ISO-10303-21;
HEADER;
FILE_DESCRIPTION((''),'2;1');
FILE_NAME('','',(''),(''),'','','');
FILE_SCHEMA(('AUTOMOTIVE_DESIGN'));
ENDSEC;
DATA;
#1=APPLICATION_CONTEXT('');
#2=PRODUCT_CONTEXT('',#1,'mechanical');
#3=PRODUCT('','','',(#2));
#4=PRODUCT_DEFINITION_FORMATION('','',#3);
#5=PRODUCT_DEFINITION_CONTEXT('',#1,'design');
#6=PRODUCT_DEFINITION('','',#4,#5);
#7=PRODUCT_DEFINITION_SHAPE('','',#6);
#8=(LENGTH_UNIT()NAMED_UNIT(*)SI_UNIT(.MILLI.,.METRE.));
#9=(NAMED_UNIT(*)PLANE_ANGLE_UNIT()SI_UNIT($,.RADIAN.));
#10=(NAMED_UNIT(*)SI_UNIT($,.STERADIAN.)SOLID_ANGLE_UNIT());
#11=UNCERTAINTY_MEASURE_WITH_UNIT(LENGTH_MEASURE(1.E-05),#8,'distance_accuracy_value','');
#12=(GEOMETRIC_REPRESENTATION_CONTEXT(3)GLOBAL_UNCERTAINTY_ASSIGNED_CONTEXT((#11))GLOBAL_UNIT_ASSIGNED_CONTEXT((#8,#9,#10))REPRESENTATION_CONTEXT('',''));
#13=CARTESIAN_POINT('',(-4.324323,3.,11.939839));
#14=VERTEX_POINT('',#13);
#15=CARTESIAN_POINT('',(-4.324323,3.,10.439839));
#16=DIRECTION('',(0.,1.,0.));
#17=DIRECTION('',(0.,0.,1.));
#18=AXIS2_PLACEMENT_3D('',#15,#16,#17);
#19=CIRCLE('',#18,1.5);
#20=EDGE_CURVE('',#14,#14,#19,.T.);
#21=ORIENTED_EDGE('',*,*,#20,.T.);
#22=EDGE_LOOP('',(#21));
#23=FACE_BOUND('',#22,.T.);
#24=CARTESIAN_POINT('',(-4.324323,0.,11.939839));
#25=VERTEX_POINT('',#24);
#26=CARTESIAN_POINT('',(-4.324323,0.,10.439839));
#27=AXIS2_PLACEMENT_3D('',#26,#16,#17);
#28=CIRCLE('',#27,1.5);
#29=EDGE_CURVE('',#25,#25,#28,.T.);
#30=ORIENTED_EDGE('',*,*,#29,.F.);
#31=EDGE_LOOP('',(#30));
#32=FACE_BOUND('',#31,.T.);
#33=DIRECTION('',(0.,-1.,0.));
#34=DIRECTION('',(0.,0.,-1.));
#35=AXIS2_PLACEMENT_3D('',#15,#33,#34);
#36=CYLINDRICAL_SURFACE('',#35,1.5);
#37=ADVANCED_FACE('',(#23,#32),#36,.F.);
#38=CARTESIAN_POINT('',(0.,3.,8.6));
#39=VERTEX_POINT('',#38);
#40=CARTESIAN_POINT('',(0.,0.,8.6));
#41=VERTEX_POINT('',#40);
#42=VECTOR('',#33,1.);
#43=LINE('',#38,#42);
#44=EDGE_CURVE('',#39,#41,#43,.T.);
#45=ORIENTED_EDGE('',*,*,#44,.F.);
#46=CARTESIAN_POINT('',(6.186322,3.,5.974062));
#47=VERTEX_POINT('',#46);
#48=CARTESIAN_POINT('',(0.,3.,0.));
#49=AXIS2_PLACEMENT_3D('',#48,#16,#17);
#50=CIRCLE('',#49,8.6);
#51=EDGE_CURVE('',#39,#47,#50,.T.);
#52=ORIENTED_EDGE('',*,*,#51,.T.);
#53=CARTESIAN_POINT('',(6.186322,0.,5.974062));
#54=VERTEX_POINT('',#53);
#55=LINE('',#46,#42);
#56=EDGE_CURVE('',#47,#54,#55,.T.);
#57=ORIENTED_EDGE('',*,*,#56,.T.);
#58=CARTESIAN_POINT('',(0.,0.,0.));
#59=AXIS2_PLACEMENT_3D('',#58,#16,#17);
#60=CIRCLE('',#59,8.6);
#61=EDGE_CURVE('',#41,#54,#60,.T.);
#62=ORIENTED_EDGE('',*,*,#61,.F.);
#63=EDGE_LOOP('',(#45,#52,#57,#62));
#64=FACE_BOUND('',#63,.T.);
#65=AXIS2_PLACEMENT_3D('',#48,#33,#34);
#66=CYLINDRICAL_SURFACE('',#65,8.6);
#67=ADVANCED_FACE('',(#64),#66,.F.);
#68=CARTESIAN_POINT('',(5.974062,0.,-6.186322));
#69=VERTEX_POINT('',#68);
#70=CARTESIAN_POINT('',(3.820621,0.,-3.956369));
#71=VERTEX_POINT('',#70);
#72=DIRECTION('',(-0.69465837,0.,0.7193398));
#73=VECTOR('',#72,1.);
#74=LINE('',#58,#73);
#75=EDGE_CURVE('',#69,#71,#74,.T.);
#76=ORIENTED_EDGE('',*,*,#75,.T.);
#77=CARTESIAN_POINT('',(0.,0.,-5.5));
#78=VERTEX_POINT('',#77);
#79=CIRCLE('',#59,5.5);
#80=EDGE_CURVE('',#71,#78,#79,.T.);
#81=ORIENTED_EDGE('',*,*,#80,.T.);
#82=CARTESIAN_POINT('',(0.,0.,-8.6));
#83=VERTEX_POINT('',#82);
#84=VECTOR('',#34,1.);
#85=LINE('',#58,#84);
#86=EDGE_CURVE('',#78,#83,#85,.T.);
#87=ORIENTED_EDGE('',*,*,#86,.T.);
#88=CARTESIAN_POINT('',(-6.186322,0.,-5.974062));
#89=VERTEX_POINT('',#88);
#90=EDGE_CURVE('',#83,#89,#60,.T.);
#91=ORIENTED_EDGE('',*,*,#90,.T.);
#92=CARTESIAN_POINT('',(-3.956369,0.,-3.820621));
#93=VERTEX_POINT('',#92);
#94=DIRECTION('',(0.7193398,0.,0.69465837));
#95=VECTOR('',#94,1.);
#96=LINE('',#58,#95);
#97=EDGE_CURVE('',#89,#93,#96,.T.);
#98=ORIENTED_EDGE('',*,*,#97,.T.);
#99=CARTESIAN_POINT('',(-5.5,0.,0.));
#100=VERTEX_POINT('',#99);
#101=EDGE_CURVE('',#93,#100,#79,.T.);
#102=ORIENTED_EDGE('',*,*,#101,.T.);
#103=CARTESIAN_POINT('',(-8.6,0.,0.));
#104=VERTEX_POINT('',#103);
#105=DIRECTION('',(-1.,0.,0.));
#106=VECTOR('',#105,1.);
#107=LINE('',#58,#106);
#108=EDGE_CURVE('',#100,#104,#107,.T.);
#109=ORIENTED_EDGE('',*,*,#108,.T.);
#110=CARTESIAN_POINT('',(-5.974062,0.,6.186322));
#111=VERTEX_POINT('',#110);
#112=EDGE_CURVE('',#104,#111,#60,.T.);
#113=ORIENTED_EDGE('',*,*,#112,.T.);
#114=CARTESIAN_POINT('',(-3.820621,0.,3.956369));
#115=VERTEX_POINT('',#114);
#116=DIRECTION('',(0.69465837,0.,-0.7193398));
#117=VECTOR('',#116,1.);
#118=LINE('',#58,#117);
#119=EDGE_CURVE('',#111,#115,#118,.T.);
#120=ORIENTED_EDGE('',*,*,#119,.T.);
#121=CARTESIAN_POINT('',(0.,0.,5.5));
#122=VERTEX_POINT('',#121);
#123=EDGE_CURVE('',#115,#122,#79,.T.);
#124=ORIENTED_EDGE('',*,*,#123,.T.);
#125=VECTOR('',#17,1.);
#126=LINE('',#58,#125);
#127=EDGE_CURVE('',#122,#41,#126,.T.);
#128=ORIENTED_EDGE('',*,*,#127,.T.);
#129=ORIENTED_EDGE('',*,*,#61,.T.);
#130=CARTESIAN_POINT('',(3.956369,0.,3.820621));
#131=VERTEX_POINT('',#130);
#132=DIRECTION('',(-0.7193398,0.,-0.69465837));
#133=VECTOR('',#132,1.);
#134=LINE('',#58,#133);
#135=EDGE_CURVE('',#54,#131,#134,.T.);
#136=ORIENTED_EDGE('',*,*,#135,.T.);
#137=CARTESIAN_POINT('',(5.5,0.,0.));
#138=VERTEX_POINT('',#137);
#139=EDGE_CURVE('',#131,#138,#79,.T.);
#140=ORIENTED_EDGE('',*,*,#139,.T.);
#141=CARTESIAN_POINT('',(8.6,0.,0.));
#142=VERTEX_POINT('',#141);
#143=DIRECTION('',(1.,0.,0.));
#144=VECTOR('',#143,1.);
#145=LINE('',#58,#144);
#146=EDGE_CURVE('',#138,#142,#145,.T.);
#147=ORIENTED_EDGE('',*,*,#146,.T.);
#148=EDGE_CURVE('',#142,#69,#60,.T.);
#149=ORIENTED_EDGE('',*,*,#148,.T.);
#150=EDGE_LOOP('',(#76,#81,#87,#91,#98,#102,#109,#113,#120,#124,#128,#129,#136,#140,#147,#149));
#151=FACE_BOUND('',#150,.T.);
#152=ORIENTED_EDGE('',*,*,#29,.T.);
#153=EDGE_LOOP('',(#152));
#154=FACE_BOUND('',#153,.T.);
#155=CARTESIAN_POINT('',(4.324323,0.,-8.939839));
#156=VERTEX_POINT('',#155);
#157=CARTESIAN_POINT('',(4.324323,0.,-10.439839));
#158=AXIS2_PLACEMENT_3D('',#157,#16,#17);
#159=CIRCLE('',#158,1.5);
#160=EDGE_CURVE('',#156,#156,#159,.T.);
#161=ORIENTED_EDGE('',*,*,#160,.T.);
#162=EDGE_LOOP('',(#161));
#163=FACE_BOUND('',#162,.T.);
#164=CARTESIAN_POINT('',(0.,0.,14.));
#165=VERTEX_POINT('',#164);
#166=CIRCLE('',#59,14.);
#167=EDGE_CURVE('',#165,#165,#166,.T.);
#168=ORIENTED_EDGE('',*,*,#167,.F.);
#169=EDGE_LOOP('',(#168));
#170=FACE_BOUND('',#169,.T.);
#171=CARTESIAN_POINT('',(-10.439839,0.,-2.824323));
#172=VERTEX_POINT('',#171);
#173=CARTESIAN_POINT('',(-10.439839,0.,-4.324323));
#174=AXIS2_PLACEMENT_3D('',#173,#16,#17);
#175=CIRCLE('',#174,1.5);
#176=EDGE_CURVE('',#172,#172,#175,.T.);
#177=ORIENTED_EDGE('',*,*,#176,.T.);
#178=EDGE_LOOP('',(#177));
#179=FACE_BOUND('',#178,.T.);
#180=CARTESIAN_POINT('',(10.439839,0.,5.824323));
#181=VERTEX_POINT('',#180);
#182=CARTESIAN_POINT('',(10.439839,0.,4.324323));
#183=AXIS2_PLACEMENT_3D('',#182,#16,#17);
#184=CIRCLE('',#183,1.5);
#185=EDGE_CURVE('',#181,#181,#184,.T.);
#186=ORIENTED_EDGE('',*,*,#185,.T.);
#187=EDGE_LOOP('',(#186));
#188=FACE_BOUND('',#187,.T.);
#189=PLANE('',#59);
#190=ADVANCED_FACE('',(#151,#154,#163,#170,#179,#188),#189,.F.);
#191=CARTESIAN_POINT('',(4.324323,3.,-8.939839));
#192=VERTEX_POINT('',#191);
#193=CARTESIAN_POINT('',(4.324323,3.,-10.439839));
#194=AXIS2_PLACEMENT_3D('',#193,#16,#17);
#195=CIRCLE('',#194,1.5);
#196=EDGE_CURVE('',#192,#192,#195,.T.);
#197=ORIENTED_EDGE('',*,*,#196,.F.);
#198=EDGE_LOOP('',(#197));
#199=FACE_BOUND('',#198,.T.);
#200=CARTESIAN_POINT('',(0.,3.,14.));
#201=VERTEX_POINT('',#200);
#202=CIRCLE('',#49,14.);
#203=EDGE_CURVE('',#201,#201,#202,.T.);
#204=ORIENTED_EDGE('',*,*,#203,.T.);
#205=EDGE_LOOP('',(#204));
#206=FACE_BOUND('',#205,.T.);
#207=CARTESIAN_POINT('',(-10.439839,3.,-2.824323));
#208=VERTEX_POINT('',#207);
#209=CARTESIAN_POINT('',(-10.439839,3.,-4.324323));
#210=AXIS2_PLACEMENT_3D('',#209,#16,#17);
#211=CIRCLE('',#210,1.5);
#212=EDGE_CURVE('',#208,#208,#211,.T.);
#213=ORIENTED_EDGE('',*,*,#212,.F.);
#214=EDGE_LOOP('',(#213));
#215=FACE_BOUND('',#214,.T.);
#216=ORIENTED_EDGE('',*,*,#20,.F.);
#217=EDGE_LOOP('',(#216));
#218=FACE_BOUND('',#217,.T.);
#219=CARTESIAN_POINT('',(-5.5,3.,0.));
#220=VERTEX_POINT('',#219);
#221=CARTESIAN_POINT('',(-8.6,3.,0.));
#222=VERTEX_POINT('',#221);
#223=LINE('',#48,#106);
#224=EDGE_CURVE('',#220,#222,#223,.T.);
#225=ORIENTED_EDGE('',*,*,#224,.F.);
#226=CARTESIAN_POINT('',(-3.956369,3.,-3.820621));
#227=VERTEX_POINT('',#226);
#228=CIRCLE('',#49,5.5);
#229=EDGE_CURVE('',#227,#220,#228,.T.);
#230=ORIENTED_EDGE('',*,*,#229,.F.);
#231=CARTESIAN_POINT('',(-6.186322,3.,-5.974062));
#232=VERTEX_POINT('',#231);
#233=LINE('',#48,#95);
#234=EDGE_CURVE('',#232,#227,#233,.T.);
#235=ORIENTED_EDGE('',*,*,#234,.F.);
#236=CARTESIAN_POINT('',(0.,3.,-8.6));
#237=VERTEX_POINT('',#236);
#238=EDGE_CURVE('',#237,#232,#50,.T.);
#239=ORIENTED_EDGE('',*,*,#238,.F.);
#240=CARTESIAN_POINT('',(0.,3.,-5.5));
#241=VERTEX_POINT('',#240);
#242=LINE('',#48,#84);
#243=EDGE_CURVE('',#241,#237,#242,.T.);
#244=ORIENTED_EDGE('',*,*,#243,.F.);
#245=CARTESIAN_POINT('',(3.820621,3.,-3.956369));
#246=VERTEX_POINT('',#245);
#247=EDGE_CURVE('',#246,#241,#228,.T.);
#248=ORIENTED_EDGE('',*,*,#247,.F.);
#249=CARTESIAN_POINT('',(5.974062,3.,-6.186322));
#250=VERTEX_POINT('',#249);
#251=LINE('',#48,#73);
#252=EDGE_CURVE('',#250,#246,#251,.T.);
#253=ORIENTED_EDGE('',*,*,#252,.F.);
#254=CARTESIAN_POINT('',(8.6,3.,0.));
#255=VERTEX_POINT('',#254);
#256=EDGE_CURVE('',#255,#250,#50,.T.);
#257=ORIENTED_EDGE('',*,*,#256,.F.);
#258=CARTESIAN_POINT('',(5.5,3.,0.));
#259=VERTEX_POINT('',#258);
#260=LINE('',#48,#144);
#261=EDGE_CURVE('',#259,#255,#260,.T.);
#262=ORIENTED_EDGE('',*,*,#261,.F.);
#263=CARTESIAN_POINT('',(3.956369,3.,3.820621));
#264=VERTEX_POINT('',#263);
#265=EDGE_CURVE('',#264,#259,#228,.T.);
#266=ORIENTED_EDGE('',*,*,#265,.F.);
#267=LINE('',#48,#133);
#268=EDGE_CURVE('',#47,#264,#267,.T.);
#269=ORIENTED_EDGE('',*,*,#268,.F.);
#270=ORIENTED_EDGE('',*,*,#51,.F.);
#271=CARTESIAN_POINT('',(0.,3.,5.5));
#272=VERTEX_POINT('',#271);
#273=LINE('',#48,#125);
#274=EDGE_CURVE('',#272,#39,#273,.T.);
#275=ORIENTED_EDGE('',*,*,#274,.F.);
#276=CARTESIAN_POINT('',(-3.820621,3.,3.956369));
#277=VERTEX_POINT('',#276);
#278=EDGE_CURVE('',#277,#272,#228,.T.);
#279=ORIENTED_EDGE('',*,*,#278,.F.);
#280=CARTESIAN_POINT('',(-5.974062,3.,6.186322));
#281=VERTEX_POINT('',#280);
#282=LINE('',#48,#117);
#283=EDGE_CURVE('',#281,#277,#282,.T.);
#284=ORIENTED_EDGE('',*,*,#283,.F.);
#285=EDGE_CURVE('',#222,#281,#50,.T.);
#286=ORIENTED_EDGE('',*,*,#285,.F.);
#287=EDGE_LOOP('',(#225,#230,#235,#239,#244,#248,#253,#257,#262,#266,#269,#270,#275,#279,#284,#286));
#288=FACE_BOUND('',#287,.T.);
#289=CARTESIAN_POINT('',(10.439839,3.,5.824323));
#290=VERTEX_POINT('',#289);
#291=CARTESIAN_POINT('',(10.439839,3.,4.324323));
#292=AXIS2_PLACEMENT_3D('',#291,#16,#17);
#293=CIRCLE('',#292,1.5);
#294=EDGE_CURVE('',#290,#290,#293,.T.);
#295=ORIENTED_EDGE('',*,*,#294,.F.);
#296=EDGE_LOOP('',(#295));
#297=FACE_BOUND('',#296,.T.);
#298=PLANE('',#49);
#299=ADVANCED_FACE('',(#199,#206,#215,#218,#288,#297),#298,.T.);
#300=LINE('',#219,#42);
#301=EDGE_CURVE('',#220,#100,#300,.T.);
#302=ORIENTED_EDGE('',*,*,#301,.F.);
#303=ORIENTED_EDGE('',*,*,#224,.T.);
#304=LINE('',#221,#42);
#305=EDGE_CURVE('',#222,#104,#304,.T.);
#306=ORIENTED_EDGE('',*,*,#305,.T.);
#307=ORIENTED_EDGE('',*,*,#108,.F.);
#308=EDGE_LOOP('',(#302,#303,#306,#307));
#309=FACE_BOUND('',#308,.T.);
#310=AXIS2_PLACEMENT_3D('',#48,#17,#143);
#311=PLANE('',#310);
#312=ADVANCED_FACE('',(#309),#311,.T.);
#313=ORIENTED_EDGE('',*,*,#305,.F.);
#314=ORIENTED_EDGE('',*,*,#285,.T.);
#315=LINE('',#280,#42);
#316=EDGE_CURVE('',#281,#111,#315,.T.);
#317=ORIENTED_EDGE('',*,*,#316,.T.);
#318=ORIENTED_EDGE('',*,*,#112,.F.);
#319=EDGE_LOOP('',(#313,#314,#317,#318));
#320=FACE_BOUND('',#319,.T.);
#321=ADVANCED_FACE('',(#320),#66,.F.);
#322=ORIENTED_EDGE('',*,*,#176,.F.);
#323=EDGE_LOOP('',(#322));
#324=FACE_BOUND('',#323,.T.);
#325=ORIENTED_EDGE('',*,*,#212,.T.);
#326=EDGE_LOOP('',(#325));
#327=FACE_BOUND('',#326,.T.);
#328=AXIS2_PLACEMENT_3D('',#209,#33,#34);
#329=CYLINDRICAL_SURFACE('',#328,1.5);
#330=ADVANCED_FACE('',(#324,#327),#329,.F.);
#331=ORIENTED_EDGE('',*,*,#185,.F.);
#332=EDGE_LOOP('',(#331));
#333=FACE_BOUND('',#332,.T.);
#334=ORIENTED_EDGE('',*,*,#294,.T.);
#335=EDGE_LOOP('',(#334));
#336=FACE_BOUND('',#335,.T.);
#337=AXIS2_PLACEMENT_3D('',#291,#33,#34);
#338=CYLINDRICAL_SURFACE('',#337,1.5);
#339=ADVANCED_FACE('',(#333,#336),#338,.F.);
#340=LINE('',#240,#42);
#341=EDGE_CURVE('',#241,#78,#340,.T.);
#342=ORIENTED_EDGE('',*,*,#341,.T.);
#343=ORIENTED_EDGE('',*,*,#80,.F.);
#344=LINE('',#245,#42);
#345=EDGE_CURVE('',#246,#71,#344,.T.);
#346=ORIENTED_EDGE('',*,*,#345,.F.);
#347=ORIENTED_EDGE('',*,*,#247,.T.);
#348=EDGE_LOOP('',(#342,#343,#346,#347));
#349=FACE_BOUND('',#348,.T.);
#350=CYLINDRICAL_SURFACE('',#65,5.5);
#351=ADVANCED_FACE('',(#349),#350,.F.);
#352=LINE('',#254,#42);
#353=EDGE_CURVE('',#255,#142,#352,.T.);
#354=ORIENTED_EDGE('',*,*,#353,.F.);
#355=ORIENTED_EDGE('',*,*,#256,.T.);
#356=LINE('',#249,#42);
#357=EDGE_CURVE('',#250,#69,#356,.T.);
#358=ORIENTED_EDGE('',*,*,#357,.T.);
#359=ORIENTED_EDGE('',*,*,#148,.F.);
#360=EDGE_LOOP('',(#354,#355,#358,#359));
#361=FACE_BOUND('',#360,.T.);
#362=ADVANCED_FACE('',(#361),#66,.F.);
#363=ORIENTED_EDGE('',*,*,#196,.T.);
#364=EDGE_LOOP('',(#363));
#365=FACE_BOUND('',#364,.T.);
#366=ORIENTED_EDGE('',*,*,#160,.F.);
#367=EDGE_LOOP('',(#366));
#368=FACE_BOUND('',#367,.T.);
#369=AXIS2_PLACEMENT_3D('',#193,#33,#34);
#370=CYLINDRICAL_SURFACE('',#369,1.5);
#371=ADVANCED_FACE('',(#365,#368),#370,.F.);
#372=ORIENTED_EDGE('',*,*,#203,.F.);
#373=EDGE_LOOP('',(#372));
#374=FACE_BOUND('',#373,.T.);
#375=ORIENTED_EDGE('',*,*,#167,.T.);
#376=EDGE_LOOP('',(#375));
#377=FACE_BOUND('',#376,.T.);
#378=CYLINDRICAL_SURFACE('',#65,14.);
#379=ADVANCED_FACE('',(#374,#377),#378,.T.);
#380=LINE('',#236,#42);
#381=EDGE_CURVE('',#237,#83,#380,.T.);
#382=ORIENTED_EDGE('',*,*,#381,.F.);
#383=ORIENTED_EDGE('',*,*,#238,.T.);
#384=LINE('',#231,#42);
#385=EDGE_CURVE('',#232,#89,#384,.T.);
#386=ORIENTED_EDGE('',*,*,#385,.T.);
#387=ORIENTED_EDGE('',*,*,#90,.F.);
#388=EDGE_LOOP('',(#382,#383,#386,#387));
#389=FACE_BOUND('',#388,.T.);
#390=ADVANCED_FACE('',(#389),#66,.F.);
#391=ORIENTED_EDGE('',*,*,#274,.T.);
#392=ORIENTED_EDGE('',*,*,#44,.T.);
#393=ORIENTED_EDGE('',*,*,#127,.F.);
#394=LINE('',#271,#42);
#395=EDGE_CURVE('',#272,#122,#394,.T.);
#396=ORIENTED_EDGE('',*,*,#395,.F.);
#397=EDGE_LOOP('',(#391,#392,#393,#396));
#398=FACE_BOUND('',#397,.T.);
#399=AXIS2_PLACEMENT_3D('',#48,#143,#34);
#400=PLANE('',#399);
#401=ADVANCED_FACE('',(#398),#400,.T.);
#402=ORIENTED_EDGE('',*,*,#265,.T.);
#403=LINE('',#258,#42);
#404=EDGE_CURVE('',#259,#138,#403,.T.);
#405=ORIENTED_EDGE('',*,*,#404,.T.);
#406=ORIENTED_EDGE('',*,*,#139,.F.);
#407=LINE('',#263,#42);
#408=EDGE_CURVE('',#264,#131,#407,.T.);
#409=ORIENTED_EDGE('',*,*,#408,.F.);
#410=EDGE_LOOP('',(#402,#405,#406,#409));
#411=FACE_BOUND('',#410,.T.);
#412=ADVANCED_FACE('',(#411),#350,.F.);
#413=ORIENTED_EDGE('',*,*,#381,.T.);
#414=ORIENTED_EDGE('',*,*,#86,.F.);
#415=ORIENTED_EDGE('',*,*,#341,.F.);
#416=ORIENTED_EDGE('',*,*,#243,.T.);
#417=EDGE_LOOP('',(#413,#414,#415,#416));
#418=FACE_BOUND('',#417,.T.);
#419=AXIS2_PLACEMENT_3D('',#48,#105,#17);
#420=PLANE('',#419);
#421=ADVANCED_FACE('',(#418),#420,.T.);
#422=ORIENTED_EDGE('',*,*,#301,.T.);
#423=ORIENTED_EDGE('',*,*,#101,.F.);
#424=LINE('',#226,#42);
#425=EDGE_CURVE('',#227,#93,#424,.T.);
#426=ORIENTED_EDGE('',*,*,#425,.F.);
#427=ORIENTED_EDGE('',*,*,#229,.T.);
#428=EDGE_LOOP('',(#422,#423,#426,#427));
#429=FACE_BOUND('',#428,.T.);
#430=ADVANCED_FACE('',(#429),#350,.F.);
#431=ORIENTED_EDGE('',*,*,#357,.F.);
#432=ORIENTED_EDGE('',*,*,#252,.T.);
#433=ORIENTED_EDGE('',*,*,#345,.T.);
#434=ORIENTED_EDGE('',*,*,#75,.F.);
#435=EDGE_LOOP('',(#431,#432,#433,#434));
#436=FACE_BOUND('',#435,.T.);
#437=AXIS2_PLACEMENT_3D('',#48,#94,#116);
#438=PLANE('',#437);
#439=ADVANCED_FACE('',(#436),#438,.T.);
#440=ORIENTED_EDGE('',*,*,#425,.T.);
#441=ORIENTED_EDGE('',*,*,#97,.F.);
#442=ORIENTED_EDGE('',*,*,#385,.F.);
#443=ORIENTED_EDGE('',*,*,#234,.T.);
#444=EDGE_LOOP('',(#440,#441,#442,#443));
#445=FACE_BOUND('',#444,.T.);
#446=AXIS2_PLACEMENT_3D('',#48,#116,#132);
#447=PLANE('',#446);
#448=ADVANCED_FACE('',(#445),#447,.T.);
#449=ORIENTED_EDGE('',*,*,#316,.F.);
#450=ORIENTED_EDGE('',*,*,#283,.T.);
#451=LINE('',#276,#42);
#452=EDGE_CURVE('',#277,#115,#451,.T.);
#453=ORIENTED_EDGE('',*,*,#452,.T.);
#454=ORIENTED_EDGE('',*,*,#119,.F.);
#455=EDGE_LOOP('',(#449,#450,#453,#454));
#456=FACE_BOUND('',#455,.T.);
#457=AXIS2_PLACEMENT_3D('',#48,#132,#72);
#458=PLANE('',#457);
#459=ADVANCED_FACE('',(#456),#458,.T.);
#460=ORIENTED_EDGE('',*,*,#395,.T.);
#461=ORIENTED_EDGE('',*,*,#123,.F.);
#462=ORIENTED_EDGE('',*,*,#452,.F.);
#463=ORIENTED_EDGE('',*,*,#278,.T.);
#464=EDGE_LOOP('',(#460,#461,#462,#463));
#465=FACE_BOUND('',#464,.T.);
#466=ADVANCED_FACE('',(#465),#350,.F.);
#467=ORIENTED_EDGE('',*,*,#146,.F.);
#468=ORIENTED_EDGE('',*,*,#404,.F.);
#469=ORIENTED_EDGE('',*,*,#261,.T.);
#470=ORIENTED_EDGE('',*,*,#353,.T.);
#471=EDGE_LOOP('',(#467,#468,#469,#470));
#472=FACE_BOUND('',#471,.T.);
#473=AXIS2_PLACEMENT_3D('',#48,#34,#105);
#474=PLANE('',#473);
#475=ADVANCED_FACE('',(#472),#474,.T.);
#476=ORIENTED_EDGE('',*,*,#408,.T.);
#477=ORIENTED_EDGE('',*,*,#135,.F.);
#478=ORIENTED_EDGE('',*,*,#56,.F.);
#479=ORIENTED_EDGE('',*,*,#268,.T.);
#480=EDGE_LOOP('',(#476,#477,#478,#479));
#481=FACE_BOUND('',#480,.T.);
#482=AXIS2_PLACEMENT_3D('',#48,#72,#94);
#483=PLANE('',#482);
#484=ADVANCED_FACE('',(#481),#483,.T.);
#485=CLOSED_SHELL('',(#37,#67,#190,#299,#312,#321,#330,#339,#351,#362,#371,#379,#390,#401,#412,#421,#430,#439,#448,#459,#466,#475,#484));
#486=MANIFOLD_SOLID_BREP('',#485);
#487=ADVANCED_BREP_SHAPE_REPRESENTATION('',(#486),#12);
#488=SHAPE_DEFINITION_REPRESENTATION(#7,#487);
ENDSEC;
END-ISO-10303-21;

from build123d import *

# Parameters (mm, degrees)
SKETCH1_R           = 14
SKETCH1_R_2         = 1.5
BOSS_EXTRUDE1_DEPTH = 3


with BuildPart() as part:
    # Sketch1 → Boss-Extrude1 (new body)
    with BuildSketch(Plane(origin=(0, 0, 0), x_dir=(1, 0, 0), z_dir=(0, 1, 0))):
        Circle(SKETCH1_R)
        with Locations((-4.324322786, -10.439838717)):
            Circle(SKETCH1_R_2, mode=Mode.SUBTRACT)
        with Locations((10.439838717, -4.324322786)):
            Circle(SKETCH1_R_2, mode=Mode.SUBTRACT)
        with Locations((4.324322786, 10.439838717)):
            Circle(SKETCH1_R_2, mode=Mode.SUBTRACT)
        with Locations((-10.439838717, 4.324322786)):
            Circle(SKETCH1_R_2, mode=Mode.SUBTRACT)
        with BuildLine():
            ThreePointArc((-3.820621038, -3.956368902), (-2.060336264, -5.0995112), (0, -5.5))
            Line((0, -5.5), (0, -8.6))
            ThreePointArc((0, -8.6), (3.360287705, -7.91634174), (6.186322283, -5.974061986))
            Line((6.186322283, -5.974061986), (3.956368902, -3.820621038))
            ThreePointArc((3.956368902, -3.820621038), (5.0995112, -2.060336264), (5.5, 0))
            Line((5.5, 0), (8.6, 0))
            ThreePointArc((8.6, 0), (7.91634174, 3.360287705), (5.974061986, 6.186322283))
            Line((5.974061986, 6.186322283), (3.820621038, 3.956368902))
            ThreePointArc((3.820621038, 3.956368902), (2.060336264, 5.0995112), (0, 5.5))
            Line((0, 5.5), (0, 8.6))
            ThreePointArc((0, 8.6), (-3.360287705, 7.91634174), (-6.186322283, 5.974061986))
            Line((-6.186322283, 5.974061986), (-3.956368902, 3.820621038))
            ThreePointArc((-3.956368902, 3.820621038), (-5.0995112, 2.060336264), (-5.5, 0))
            Line((-5.5, 0), (-8.6, 0))
            ThreePointArc((-8.6, 0), (-7.91634174, -3.360287705), (-5.974061986, -6.186322283))
            Line((-5.974061986, -6.186322283), (-3.820621038, -3.956368902))
        make_face(mode=Mode.SUBTRACT)
    extrude(amount=BOSS_EXTRUDE1_DEPTH)


solid = part.part
